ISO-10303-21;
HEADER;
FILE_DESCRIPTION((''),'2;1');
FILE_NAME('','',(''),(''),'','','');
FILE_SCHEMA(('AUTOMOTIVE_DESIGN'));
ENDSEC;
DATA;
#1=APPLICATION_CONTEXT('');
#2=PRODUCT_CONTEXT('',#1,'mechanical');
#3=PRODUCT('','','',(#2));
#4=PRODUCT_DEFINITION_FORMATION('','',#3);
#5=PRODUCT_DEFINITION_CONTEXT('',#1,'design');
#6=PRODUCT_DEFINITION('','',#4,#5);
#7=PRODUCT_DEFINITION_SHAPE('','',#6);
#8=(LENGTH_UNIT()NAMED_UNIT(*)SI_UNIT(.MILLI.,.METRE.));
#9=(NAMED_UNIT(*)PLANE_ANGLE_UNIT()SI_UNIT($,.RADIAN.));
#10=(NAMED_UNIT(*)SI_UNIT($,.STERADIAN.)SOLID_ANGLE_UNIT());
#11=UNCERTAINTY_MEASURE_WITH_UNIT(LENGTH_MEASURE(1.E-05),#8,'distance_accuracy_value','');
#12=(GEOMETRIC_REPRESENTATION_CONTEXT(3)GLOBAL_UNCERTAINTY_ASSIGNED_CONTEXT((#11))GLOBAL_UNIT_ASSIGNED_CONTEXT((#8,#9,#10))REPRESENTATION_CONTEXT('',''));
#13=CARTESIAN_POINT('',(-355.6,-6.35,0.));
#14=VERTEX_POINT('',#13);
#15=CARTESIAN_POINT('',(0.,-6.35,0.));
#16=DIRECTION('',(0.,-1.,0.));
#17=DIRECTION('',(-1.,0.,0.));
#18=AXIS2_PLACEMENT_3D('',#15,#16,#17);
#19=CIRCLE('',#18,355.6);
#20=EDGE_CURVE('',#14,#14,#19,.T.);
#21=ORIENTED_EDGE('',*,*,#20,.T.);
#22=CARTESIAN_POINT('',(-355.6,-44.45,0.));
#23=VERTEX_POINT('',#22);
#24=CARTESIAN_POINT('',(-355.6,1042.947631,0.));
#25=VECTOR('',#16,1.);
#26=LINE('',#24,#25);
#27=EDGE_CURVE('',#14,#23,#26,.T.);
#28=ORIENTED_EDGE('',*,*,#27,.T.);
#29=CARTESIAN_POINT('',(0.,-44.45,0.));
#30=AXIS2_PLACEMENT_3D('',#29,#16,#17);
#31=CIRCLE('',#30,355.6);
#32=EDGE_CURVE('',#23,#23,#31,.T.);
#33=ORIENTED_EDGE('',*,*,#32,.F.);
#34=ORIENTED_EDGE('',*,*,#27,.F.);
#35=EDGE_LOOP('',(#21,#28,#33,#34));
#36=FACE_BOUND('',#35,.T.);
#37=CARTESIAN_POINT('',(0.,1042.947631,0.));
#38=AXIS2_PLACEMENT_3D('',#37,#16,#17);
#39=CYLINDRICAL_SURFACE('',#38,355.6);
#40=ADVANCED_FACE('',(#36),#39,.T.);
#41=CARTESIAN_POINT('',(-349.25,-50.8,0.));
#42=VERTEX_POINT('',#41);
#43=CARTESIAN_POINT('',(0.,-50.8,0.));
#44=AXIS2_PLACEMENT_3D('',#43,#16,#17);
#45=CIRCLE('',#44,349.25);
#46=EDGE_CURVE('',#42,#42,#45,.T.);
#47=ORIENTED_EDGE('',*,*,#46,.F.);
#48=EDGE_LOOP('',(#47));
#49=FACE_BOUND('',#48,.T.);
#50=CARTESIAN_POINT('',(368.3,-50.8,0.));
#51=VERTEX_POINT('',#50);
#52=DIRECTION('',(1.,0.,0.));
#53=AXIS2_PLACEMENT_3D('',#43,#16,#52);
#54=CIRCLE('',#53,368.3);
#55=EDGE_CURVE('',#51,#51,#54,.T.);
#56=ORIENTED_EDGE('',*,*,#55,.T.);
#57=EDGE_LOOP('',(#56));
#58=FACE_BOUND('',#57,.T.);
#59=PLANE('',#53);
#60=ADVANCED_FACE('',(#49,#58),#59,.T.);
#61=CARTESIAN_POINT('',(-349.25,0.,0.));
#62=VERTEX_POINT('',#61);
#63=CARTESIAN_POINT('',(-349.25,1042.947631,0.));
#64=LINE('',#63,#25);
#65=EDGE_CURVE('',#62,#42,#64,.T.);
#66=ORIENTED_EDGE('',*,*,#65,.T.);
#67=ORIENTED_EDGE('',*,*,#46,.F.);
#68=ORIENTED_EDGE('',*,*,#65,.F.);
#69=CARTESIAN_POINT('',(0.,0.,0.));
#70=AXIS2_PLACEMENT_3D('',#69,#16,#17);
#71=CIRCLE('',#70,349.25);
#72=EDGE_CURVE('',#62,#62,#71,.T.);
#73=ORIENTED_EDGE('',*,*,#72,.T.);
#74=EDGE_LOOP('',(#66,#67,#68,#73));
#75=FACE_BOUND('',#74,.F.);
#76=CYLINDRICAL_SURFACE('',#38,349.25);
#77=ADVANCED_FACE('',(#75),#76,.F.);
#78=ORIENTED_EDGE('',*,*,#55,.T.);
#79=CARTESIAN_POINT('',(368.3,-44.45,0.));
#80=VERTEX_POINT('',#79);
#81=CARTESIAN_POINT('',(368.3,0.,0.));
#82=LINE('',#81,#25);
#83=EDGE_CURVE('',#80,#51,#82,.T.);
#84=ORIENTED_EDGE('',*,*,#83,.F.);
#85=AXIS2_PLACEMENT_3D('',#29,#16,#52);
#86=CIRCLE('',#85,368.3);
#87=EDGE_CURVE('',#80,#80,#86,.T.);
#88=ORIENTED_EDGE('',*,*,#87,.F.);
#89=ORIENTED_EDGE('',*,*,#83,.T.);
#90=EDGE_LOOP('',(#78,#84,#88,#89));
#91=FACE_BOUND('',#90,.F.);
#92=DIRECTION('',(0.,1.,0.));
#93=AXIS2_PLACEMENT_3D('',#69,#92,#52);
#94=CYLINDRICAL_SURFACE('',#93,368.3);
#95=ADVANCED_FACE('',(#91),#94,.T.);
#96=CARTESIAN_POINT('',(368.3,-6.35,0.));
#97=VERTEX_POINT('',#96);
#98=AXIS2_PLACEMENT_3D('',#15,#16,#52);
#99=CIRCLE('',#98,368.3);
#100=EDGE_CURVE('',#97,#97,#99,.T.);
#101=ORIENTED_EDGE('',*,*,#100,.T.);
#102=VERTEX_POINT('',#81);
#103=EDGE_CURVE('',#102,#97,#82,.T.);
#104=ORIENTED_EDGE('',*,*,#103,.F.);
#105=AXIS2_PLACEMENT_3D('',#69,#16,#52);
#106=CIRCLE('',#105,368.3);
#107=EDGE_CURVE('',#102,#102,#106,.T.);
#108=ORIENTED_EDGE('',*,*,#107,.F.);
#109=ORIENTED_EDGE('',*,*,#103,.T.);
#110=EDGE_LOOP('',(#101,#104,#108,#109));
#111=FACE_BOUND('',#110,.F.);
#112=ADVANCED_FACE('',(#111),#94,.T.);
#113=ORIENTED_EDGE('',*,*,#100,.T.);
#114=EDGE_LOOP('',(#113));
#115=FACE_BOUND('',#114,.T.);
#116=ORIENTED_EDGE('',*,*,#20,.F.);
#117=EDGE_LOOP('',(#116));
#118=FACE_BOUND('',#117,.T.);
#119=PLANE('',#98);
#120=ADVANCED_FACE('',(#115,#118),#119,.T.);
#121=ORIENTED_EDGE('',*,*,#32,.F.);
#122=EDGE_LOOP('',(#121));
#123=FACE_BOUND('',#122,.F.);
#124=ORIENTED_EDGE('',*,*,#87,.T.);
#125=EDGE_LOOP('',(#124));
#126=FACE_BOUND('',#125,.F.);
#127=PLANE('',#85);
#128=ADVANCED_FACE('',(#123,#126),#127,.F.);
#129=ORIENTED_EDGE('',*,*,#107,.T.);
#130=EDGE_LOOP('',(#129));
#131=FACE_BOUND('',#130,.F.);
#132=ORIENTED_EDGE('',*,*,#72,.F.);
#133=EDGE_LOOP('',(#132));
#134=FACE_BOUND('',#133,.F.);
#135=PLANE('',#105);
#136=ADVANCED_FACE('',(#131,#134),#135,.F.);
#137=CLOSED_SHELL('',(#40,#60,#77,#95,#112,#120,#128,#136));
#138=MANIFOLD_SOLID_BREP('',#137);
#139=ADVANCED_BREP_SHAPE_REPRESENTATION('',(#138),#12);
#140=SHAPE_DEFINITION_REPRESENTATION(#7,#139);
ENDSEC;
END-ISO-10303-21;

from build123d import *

# Parameters (mm, degrees)
F0_R     = 368.3
F1_DEPTH = 50.8
F2_D     = 698.5
F3_T     = -6.35


with BuildPart() as f1:
    # F0 (on Front) → F1 (new body)
    with BuildSketch(Plane.XZ):
        Circle(F0_R)
    extrude(amount=F1_DEPTH)

    # F2 (through all)
    with Locations(Plane(origin=(0, 0, 0), x_dir=(1, 0, 0), z_dir=(0, 1, 0))):
        with Locations((0, 0)):
            Hole(F2_D / 2)

    # F3
    f3_openings = [f1.faces().sort_by_distance(p)[0] for p in [
        (-368.3, -25.4, 0),
    ]]
    offset(amount=F3_T, openings=f3_openings)


solid = f1.part
